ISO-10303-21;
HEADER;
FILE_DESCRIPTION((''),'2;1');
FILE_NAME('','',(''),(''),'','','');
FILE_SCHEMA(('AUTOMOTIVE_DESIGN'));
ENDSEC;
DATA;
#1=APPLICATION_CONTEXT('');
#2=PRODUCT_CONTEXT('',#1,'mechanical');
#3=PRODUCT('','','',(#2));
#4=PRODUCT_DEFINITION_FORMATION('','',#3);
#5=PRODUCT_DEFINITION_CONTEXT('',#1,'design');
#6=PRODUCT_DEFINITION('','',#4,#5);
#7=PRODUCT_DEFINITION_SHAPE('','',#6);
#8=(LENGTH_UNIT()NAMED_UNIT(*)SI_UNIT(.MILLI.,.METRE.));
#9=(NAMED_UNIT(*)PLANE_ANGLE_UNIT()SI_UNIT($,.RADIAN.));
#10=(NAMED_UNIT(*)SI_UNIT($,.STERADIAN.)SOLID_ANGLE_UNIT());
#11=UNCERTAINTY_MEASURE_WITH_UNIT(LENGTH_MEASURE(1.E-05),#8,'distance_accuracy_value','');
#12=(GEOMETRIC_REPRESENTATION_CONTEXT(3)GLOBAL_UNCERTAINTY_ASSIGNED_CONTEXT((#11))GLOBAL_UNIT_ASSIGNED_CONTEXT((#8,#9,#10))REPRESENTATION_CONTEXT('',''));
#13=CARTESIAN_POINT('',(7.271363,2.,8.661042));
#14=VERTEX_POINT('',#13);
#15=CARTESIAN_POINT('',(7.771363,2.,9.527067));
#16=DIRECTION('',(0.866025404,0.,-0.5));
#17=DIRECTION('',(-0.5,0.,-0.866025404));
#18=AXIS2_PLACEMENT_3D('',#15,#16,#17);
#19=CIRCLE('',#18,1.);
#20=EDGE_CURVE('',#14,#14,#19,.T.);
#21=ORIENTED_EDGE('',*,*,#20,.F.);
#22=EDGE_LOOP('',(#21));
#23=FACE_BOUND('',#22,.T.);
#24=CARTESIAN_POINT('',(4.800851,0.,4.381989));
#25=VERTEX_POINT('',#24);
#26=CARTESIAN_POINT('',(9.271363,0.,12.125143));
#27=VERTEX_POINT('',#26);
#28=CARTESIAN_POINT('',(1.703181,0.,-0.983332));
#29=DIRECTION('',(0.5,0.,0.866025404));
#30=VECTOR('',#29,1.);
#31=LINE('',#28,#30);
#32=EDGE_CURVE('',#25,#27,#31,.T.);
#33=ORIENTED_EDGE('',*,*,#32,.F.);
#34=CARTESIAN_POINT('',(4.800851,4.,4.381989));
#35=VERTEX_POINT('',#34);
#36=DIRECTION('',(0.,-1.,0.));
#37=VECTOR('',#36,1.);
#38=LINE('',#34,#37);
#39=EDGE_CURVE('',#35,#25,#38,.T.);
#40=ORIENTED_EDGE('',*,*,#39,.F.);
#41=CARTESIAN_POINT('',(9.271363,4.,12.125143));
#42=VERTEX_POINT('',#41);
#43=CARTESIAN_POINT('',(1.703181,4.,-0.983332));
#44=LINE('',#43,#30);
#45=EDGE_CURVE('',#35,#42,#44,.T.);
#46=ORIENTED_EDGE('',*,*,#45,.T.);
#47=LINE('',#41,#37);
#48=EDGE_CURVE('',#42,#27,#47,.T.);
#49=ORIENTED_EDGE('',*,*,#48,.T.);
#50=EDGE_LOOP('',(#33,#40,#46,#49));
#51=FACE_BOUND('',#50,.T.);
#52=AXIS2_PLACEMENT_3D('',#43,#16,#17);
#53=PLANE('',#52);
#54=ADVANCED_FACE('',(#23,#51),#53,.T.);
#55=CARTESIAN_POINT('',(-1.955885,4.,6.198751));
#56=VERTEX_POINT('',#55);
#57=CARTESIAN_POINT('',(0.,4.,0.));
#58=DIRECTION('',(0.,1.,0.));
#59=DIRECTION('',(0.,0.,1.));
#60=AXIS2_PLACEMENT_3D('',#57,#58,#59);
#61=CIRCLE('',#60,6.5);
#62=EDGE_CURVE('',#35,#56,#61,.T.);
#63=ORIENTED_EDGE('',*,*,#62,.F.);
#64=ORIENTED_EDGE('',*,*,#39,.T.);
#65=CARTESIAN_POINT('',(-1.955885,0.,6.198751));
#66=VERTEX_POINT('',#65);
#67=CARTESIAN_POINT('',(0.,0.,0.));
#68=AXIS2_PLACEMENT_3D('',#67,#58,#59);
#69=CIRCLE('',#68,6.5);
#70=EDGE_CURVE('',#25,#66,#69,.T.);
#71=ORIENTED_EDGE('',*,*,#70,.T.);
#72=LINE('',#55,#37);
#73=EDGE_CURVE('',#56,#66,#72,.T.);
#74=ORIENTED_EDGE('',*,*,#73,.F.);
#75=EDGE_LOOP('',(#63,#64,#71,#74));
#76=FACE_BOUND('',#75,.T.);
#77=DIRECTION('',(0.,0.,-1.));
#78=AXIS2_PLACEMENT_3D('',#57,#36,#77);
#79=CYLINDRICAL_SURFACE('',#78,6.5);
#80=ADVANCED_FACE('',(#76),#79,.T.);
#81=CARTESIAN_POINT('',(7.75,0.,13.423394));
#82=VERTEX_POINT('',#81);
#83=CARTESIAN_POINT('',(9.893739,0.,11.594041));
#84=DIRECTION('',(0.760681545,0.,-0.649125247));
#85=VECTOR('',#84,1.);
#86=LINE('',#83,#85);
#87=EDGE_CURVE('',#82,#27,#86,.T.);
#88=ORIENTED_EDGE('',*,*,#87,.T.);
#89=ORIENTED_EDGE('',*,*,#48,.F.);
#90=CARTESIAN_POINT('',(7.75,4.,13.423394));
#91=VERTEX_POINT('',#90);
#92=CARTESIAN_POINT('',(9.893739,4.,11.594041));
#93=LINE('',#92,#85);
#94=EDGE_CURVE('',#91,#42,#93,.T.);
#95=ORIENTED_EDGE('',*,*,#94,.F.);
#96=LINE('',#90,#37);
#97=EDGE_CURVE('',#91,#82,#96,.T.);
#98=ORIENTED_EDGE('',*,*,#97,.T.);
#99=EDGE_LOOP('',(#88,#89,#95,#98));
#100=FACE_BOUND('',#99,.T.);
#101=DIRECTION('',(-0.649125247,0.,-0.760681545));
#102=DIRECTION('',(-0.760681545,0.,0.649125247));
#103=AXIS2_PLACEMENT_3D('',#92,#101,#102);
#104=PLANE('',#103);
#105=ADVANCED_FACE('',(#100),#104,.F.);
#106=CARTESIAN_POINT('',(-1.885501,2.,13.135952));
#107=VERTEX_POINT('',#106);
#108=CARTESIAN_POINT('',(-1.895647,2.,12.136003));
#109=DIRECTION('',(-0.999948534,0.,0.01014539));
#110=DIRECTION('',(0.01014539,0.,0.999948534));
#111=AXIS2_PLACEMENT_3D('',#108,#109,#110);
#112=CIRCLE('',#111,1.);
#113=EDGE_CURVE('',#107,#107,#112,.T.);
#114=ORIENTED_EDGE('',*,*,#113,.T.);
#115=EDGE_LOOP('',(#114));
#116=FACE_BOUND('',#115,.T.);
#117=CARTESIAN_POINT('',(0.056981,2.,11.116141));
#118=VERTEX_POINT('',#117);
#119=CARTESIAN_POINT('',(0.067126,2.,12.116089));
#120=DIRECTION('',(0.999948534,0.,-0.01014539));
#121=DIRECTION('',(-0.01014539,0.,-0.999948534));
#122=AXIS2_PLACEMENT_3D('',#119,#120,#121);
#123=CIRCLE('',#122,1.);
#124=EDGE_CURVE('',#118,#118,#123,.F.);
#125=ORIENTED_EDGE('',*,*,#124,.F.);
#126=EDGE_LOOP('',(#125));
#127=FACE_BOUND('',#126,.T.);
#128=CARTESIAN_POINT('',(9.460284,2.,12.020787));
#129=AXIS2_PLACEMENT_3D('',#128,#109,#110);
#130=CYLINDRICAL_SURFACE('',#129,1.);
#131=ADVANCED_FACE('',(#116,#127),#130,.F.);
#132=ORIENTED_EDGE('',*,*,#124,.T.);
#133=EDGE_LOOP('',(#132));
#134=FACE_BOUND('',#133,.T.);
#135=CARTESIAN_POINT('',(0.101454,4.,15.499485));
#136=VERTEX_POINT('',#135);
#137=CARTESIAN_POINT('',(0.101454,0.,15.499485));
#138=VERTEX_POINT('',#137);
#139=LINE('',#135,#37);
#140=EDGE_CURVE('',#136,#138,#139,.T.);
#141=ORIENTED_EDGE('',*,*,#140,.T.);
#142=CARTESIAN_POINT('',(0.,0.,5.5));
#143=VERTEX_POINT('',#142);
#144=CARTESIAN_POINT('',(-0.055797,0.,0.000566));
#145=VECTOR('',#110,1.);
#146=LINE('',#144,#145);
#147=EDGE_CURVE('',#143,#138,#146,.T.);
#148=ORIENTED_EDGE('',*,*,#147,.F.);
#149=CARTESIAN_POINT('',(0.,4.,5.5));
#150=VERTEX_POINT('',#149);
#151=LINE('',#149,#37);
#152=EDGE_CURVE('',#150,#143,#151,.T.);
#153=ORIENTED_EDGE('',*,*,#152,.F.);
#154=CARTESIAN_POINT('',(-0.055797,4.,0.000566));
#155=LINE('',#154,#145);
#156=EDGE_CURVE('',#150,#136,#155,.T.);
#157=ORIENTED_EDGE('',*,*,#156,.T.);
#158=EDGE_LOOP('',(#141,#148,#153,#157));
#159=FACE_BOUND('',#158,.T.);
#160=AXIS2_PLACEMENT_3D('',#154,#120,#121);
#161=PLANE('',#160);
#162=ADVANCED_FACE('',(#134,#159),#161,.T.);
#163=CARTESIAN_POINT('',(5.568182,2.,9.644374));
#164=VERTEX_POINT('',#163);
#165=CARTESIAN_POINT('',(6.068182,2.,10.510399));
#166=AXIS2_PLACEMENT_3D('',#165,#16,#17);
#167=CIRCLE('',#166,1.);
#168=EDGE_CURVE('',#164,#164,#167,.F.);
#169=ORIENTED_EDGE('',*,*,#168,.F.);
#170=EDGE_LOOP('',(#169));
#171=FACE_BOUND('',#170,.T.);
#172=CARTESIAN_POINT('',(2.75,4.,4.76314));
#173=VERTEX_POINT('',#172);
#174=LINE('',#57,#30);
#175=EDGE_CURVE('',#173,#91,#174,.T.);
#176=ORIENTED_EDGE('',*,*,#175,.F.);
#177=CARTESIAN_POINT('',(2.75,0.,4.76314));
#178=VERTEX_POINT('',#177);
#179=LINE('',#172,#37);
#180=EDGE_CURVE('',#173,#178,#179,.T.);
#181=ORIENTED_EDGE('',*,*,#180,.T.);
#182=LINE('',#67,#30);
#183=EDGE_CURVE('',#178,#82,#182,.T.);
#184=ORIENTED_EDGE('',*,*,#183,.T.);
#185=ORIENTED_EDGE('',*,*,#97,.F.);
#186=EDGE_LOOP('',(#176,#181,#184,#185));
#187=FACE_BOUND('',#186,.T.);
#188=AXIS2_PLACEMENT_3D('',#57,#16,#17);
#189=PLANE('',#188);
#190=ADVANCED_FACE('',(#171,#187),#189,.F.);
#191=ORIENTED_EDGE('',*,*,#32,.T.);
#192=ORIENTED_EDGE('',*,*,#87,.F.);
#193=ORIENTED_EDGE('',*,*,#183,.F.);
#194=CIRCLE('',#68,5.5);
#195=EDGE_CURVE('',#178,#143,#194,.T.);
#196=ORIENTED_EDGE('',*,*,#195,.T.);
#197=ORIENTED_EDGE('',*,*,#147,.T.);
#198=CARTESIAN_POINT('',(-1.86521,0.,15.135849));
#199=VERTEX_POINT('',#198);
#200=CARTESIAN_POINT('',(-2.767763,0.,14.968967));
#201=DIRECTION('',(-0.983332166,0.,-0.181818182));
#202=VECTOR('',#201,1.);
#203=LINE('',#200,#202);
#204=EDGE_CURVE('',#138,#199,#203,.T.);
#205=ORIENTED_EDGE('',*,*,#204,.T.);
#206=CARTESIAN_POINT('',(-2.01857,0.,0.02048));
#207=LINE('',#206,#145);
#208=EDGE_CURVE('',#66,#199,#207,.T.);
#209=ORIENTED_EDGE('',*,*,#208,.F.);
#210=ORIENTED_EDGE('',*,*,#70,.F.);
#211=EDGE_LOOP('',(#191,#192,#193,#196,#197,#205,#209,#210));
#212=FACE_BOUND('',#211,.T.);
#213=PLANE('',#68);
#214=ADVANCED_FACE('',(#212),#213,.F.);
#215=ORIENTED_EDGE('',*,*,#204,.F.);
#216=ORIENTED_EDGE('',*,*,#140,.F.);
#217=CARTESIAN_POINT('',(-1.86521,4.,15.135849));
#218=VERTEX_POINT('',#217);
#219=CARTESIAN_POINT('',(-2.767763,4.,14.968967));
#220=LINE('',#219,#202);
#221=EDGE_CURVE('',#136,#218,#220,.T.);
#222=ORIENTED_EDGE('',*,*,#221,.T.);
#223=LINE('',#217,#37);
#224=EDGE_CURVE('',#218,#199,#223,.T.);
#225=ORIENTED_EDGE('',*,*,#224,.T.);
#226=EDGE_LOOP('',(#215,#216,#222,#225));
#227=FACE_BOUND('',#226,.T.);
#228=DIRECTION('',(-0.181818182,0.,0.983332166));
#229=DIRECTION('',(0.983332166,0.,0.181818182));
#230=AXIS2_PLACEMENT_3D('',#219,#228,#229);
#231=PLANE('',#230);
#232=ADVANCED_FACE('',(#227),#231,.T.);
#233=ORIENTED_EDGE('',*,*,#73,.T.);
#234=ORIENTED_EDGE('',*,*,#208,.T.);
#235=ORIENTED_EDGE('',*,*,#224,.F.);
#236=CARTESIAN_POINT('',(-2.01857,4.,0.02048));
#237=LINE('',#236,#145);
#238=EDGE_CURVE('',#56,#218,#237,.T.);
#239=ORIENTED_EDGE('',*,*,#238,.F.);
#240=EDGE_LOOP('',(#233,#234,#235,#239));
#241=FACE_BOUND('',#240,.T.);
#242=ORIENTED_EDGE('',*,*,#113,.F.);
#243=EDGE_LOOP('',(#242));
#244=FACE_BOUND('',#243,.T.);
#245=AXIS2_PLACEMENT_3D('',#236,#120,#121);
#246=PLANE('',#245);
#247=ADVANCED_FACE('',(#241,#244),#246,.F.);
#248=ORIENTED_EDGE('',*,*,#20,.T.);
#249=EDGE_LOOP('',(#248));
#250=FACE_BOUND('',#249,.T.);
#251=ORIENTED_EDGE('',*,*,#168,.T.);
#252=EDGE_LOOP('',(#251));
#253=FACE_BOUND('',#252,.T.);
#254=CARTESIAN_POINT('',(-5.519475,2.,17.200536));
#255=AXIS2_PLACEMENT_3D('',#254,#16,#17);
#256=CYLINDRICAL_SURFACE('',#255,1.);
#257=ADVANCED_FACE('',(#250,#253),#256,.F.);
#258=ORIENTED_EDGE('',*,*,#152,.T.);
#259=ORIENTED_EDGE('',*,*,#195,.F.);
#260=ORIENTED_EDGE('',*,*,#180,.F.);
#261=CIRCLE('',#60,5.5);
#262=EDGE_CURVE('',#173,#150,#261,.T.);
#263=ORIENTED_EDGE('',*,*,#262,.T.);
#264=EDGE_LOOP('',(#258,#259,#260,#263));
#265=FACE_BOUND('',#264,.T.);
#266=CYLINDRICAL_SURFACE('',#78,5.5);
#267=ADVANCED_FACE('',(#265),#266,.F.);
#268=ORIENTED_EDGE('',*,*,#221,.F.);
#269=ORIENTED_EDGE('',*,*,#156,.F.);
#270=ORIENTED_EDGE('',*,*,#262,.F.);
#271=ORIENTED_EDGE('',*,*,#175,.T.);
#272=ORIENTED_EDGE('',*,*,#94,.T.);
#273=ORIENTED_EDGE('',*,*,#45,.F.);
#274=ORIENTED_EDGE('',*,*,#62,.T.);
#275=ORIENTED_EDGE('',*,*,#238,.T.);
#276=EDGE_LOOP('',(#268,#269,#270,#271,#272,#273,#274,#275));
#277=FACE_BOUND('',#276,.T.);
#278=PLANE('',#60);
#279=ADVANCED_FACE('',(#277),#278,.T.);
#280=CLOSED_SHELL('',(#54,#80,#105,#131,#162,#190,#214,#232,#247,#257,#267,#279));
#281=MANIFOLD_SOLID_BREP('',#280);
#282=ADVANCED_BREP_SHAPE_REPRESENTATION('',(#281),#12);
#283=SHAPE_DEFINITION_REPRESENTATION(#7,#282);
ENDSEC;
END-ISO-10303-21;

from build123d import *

# Parameters (mm, degrees)
BOSS_EXTRUDE1_DEPTH = 4
CUT_EXTRUDE1_REACH  = 21.572
SKETCH3_R           = 1
CUT_EXTRUDE2_REACH  = 20.841
SKETCH5_R           = 1


with BuildPart() as part:
    # Sketch2 → Boss-Extrude1 (new body)
    with BuildSketch(Plane(origin=(0, 0, 0), x_dir=(1, 0, 0), z_dir=(0, 1, 0))):
        with BuildLine():
            Line((-1.955885444, -6.198750852), (-1.966664332, -5.136363636))
            ThreePointArc((-1.966664332, -5.136363636), (-1.423504748, 5.312592045), (4.27136309, -3.464889226))
            Line((4.27136309, -3.464889226), (4.800851018, -4.381989218))
            ThreePointArc((4.800851018, -4.381989218), (-1.687783454, 6.277052414), (-1.955885444, -6.198750852))
        make_face()
        with BuildLine():
            Line((0, -6.5), (0, -5.5))
            ThreePointArc((0, -5.5), (-1, -5.408326913), (-1.966664332, -5.136363636))
            Line((-1.966664332, -5.136363636), (-1.955885444, -6.198750852))
            ThreePointArc((-1.955885444, -6.198750852), (-0.989474472, -6.42424628), (0, -6.5))
        make_face()
        with BuildLine():
            ThreePointArc((4.27136309, -3.464889226), (3.57018886, -4.183748499), (2.75, -4.763139721))
            Line((2.75, -4.763139721), (3.25, -5.629165125))
            ThreePointArc((3.25, -5.629165125), (4.073439881, -5.065282572), (4.800851018, -4.381989218))
            Line((4.800851018, -4.381989218), (4.27136309, -3.464889226))
        make_face()
        with BuildLine():
            ThreePointArc((4.800851018, -4.381989218), (4.073439881, -5.065282572), (3.25, -5.629165125))
            Line((3.25, -5.629165125), (7.75, -13.423393759))
            Line((7.75, -13.423393759), (9.27136309, -12.125143264))
            Line((9.27136309, -12.125143264), (4.800851018, -4.381989218))
        make_face()
        with BuildLine():
            Line((0.101453905, -15.499485342), (0, -5.5))
            Line((0, -5.5), (0, -6.5))
            ThreePointArc((0, -6.5), (-0.989474472, -6.42424628), (-1.955885444, -6.198750852))
            Line((-1.955885444, -6.198750852), (-1.865210427, -15.135848978))
            Line((-1.865210427, -15.135848978), (0.101453905, -15.499485342))
        make_face()
    extrude(amount=BOSS_EXTRUDE1_DEPTH)

    # Sketch3 → Cut-Extrude1 (cut, up to next)
    with BuildSketch(Plane(origin=(-2.018569638, 0, 0.020480231), x_dir=(0.010145390476883202, 0, 0.9999485342016716), z_dir=(-0.9999485342016717, 0, 0.010145390476883204)), mode=Mode.PRIVATE) as cut_extrude1_sk1:
        with Locations((12.116146712, 2)):
            Circle(SKETCH3_R)
    cut_extrude1_tool1 = extrude(cut_extrude1_sk1.sketch, amount=-CUT_EXTRUDE1_REACH, mode=Mode.PRIVATE) & part.part
    add(cut_extrude1_tool1.solids().sort_by_distance((-1.895647, 2, 12.136003))[0], mode=Mode.SUBTRACT)

    # Sketch5 → Cut-Extrude2 (cut, up to next)
    with BuildSketch(Plane(origin=(1.703181272, 0, -0.983332166), x_dir=(-0.5000000000000019, 0, -0.8660254037844377), z_dir=(0.8660254037844377, 0, -0.5000000000000019)), mode=Mode.PRIVATE) as cut_extrude2_sk1:
        with Locations((-12.136363636, 2)):
            Circle(SKETCH5_R)
    cut_extrude2_tool1 = extrude(cut_extrude2_sk1.sketch, amount=-CUT_EXTRUDE2_REACH, mode=Mode.PRIVATE) & part.part
    add(cut_extrude2_tool1.solids().sort_by_distance((7.771363, 2, 9.527067))[0], mode=Mode.SUBTRACT)


solid = part.part
